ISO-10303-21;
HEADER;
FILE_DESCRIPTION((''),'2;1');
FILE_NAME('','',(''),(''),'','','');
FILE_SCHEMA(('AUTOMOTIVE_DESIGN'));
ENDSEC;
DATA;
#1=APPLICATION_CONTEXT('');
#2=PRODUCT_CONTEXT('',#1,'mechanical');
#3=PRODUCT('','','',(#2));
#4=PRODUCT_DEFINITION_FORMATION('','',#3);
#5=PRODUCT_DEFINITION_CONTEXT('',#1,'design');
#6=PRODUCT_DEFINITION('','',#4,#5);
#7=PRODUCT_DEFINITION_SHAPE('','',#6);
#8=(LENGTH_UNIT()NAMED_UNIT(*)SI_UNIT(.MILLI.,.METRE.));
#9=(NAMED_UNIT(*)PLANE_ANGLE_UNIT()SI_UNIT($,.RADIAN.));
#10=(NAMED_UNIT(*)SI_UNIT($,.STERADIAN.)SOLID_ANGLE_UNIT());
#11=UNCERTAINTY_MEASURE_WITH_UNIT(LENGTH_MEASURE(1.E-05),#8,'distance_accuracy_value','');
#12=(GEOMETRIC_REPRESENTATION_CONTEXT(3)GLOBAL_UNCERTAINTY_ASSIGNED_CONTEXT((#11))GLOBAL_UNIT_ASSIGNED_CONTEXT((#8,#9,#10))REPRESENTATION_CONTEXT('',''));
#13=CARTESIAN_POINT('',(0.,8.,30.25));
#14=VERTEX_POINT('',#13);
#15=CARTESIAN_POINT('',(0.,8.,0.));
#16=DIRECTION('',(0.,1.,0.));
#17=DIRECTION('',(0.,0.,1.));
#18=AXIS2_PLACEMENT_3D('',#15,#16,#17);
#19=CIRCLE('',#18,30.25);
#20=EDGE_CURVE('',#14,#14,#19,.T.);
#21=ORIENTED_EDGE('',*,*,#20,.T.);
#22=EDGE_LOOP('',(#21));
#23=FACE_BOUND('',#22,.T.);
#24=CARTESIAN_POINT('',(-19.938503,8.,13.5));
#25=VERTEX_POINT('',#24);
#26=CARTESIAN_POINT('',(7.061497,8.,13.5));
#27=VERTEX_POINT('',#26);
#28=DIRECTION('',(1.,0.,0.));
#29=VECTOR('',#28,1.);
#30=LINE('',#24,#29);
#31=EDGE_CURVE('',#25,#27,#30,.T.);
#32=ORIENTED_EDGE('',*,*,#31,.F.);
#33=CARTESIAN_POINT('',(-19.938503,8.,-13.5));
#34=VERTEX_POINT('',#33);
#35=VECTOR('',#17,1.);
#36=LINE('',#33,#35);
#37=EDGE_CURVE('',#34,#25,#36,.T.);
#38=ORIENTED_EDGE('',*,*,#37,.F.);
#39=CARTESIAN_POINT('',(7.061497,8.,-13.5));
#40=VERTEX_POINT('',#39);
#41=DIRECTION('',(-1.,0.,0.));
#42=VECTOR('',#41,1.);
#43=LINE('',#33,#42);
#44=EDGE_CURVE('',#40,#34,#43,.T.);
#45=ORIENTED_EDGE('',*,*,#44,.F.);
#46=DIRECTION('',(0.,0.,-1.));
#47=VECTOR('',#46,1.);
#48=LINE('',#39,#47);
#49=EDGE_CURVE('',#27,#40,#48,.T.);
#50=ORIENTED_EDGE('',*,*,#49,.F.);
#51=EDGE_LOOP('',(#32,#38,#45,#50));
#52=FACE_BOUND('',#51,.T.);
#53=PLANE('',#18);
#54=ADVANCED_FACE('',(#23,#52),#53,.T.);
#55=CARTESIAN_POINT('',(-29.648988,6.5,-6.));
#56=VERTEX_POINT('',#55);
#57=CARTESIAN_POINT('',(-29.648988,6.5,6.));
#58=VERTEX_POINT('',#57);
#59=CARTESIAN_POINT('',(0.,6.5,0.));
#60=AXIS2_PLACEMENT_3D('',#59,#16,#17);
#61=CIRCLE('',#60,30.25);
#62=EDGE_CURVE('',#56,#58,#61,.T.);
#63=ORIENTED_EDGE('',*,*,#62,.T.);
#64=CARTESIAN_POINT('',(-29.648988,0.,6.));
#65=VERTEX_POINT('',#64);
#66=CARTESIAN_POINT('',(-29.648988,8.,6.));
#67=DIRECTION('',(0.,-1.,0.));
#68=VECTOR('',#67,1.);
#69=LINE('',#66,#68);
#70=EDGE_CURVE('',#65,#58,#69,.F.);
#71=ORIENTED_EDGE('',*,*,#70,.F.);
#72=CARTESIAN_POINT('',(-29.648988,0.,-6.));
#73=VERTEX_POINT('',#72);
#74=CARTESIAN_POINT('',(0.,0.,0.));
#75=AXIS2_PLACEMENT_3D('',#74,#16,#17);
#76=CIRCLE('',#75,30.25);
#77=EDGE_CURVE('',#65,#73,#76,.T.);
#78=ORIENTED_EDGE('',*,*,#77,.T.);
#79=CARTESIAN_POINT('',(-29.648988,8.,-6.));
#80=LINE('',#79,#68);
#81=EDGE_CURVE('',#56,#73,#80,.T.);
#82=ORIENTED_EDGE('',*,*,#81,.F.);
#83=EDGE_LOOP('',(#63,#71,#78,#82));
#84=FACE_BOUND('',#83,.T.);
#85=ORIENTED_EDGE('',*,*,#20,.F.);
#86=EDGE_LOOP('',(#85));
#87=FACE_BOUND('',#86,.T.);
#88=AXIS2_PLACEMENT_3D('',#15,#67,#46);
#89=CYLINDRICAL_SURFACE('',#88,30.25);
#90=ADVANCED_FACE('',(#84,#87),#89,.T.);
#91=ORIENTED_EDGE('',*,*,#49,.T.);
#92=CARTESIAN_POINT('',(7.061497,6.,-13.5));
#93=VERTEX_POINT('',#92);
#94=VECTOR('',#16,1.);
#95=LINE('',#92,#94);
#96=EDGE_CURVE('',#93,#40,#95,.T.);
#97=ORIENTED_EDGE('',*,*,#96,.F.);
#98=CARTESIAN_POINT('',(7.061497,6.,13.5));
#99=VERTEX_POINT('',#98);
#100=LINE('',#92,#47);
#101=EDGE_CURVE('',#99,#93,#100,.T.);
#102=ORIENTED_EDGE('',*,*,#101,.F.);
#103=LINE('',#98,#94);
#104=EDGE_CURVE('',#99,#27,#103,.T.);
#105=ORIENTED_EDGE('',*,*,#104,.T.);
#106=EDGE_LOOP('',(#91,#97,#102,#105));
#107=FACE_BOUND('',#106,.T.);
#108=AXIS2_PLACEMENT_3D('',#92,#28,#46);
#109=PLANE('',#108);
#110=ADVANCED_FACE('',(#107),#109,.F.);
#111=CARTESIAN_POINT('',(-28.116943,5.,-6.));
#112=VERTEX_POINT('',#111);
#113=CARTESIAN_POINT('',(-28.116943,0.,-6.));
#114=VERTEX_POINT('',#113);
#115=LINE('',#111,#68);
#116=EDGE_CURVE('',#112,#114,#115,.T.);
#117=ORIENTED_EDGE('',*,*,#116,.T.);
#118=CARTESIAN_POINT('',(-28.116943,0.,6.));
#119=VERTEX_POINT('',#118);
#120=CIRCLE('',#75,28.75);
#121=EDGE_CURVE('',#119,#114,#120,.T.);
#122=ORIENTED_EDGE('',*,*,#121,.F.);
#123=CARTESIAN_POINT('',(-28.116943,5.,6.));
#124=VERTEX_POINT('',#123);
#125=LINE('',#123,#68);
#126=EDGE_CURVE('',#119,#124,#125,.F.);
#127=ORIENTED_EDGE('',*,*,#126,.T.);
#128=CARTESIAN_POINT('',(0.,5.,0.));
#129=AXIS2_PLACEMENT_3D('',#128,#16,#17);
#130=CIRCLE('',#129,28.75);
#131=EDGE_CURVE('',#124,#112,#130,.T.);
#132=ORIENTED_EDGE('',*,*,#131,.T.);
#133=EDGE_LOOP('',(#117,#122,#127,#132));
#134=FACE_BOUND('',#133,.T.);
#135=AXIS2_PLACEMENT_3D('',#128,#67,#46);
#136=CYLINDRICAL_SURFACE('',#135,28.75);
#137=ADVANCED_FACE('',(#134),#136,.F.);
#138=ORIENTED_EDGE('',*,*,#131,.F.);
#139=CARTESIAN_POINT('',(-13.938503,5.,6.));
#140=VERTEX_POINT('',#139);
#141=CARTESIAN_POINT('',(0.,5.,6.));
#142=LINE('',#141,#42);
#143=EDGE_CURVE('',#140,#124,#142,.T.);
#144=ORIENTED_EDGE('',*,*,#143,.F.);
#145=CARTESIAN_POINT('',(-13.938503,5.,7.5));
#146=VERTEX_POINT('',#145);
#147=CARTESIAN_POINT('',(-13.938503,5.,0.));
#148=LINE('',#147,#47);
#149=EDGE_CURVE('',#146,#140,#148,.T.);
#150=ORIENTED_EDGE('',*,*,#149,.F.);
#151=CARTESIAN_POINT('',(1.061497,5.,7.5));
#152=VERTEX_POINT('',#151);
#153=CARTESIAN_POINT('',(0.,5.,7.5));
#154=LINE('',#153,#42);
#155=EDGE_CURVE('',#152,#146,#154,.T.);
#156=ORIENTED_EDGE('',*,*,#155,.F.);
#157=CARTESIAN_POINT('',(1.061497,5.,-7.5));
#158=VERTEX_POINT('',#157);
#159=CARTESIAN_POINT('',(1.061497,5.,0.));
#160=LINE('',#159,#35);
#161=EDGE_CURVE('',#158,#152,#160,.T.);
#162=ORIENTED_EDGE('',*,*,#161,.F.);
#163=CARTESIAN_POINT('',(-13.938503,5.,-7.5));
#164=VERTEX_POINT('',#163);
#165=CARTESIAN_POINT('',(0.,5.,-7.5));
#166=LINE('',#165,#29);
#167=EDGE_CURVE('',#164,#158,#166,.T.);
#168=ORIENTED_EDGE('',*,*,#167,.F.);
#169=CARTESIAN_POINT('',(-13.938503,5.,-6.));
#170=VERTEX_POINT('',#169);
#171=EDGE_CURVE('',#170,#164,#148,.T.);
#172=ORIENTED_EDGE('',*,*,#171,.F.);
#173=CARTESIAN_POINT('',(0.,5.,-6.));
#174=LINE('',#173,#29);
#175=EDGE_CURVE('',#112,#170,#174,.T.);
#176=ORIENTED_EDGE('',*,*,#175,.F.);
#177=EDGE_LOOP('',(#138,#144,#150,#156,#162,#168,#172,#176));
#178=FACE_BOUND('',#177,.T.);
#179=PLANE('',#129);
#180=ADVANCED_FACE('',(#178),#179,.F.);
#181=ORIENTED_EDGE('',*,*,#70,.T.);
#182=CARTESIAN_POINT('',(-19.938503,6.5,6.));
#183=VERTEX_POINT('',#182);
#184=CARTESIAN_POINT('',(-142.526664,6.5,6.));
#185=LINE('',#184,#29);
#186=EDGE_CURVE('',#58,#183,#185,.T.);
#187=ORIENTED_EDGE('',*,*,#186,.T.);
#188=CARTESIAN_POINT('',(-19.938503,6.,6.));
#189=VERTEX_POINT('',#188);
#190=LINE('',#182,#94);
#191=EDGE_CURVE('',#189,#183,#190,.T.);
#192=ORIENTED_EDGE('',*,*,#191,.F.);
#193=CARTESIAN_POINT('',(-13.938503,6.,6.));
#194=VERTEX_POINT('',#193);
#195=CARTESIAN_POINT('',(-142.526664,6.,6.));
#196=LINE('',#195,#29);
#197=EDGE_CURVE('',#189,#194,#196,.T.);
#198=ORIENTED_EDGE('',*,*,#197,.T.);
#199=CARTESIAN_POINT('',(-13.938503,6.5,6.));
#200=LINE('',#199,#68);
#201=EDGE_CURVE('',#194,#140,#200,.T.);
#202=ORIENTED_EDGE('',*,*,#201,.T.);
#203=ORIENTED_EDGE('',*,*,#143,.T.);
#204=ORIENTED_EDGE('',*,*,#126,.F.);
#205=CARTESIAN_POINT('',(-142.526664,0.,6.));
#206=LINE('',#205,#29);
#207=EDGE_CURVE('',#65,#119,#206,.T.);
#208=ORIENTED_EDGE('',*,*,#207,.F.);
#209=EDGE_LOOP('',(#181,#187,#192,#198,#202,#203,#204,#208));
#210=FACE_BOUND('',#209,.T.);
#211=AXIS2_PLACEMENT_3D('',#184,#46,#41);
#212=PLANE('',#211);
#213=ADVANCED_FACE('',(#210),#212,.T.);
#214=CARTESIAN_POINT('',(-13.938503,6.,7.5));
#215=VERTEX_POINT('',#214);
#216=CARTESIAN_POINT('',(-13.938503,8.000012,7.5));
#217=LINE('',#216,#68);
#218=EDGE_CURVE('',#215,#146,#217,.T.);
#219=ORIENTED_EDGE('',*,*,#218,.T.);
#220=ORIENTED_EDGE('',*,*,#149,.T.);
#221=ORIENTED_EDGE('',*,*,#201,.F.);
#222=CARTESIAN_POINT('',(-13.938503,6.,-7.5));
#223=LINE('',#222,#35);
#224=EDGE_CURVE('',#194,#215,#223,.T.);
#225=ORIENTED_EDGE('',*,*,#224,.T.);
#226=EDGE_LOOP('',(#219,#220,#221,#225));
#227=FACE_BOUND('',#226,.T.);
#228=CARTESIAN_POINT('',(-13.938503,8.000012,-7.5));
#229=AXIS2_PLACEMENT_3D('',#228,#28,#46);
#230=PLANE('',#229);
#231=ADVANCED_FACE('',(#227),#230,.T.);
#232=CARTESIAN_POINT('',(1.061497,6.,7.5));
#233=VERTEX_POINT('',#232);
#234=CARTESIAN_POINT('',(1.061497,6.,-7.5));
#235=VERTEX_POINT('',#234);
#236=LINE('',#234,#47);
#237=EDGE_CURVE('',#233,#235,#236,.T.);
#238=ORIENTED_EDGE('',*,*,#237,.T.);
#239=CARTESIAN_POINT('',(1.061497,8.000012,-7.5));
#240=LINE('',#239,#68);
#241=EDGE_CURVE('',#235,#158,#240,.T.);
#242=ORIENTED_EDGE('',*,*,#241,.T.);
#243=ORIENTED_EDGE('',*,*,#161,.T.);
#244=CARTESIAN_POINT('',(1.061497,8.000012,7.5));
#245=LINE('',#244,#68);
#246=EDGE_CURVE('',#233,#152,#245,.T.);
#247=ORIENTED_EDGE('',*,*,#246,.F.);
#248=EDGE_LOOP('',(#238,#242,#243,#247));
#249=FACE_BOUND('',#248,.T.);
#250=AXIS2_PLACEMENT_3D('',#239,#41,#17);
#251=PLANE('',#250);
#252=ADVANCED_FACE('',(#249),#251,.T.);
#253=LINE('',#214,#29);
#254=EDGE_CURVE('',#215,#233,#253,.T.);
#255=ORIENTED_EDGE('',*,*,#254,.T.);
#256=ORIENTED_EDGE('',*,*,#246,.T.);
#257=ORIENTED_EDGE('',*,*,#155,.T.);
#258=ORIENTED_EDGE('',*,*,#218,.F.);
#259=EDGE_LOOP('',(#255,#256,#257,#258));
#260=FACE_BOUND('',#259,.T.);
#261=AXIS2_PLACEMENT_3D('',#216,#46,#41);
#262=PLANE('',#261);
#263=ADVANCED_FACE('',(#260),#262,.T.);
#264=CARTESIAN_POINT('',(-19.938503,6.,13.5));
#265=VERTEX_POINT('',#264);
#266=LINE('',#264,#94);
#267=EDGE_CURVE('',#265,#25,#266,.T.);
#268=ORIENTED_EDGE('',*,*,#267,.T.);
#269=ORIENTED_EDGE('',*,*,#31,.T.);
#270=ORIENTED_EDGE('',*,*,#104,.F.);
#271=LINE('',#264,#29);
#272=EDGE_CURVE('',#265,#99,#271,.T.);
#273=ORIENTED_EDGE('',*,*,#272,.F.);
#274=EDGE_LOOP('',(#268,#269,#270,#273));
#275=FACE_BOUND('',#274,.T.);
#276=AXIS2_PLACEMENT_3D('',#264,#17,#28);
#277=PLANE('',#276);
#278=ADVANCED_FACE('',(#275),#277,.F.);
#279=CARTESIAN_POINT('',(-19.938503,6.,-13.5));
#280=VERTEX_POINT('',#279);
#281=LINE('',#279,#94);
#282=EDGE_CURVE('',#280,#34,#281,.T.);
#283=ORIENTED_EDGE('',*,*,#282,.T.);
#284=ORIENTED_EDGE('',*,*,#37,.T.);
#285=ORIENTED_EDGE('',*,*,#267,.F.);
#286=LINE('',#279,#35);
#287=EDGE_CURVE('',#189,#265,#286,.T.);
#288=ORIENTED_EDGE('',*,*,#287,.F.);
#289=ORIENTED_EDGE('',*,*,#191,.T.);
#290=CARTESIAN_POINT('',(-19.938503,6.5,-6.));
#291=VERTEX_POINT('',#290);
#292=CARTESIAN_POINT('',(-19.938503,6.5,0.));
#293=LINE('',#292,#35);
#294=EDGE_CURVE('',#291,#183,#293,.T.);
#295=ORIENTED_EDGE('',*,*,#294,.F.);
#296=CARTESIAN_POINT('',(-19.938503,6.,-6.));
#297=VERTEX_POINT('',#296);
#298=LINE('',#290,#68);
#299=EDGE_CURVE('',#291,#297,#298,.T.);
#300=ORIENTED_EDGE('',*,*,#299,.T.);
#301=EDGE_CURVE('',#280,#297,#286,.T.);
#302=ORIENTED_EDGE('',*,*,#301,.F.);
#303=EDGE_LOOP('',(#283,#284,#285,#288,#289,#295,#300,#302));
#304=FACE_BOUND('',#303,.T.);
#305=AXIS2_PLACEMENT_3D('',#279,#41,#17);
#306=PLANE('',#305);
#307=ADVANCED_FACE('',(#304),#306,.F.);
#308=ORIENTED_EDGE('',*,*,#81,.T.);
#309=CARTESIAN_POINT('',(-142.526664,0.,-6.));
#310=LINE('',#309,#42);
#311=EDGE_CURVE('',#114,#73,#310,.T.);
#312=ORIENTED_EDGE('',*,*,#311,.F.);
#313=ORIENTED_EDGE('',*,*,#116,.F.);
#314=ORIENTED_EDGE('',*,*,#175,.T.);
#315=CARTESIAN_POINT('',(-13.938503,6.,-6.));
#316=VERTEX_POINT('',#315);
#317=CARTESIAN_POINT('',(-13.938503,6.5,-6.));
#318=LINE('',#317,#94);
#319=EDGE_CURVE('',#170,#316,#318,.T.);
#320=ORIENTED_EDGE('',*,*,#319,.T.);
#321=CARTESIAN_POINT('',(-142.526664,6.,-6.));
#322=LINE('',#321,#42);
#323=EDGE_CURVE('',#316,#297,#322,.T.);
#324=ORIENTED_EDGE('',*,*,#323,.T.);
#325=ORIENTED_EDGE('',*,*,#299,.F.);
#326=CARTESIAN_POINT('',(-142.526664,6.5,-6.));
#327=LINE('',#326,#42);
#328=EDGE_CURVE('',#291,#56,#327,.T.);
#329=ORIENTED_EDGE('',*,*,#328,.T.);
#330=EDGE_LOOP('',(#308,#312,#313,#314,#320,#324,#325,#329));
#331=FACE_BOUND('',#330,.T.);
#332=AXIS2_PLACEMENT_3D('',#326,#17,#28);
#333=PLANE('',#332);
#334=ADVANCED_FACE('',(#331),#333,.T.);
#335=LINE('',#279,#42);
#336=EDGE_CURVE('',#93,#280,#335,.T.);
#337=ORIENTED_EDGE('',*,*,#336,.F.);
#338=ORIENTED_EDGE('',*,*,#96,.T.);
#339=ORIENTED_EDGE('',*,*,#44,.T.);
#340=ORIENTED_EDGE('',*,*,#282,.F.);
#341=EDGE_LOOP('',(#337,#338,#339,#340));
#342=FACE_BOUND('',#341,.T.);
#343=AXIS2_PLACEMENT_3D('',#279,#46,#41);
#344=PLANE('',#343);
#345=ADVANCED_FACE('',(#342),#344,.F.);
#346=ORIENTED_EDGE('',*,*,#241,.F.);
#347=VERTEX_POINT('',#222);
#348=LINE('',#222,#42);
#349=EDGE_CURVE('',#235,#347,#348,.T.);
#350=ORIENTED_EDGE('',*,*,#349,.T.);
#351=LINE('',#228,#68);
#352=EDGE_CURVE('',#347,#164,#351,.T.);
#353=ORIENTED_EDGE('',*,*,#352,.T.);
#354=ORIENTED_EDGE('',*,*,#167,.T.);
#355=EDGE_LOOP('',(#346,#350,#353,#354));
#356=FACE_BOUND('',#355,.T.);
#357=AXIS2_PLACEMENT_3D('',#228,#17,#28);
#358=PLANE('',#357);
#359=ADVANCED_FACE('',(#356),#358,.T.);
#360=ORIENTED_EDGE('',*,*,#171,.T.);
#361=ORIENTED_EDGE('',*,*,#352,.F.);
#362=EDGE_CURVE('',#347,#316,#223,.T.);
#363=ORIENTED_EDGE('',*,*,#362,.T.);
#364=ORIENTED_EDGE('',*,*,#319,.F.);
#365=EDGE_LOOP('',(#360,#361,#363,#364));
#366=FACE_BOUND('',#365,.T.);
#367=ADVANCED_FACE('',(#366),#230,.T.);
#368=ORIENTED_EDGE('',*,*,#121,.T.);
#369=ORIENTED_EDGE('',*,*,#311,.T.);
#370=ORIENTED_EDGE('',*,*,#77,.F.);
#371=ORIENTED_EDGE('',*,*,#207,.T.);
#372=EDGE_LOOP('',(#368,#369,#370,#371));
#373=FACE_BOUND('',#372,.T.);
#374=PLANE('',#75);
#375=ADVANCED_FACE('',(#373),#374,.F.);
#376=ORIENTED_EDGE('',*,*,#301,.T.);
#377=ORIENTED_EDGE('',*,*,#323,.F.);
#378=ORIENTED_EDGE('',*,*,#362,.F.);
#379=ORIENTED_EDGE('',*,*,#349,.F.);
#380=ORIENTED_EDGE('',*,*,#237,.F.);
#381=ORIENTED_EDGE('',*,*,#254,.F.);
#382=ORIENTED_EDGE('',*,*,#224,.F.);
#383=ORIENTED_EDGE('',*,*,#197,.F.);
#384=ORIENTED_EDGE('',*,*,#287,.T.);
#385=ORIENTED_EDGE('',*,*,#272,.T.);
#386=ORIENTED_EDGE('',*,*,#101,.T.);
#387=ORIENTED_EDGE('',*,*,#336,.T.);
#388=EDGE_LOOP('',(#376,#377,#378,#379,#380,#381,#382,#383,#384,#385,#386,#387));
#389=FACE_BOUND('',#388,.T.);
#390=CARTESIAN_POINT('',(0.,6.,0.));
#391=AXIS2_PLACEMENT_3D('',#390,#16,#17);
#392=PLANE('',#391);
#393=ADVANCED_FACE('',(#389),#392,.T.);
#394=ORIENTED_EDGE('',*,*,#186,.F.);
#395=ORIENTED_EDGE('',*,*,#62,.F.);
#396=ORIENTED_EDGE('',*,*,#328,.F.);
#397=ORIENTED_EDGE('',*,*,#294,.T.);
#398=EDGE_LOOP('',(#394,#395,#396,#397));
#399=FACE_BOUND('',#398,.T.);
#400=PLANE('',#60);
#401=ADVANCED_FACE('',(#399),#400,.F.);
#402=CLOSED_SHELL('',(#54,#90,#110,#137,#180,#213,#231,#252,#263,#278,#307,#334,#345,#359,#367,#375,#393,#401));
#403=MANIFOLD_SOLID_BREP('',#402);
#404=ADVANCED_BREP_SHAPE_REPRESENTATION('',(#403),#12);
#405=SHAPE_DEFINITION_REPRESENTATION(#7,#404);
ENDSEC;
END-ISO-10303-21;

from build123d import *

# Parameters (mm, degrees)
BASE_R                     = 30.25
EXTRUSAO_BASE_DEPTH        = 8
CORTE_BASE_R               = 28.75
EXTRUSAO_CORTE_BASE_DEPTH  = 5
USB_W                      = 142.526664036
USB_H                      = 12
CORTE_USB_DEPTH            = 6.5
CORTE_PRISMA_DEPTH         = 44.521546388
CORTE_PRISMA_DEPTH_BACK    = 44.521546388
PRISMA2_W                  = 15
PRISMA2_H                  = 15
PRISMA_W                   = 27
PRISMA_H                   = 27
CORTE_ENCAIXE_PRISMA_DEPTH = 2


with BuildPart() as part:
    # base → extrusao_base (new body)
    with BuildSketch(Plane(origin=(0, 0, 0), x_dir=(1, 0, 0), z_dir=(0, 1, 0))):
        with Locations(Location((0, 0, 0), (0, 0, 270))):
            Circle(BASE_R)
    extrude(amount=EXTRUSAO_BASE_DEPTH)

    # corte_base → extrusao_corte_base (cut)
    with BuildSketch(Plane(origin=(0, 0, 0), x_dir=(1, 0, 0), z_dir=(0, 1, 0))):
        with Locations(Location((0, 0, 0), (0, 0, 270))):
            Circle(CORTE_BASE_R)
    extrude(amount=EXTRUSAO_CORTE_BASE_DEPTH, mode=Mode.SUBTRACT)

    # usb → corte_usb (cut)
    with BuildSketch(Plane(origin=(0, 0, 0), x_dir=(1, 0, 0), z_dir=(0, 1, 0))):
        with Locations((-71.263332018, 0)):
            Rectangle(USB_W, USB_H)
    extrude(amount=CORTE_USB_DEPTH, mode=Mode.SUBTRACT)

    # prisma2 (on Top Plane) → corte_prisma (cut, two sides: drawn at the far end of the back side and taken through both)
    with BuildSketch(Plane(origin=(0, 0, 0), x_dir=(1, 0, 0), z_dir=(0, 1, 0)).offset(-CORTE_PRISMA_DEPTH_BACK)):
        with Locations((-6.438503074, 0)):
            Rectangle(PRISMA2_W, PRISMA2_H)
    extrude(amount=CORTE_PRISMA_DEPTH + CORTE_PRISMA_DEPTH_BACK, mode=Mode.SUBTRACT)

    # prisma → corte_encaixe_prisma (cut)
    with BuildSketch(Plane(origin=(0, 8, 0), x_dir=(1, 0, 0), z_dir=(0, 1, 0))):
        with Locations((-6.438503074, 0)):
            Rectangle(PRISMA_W, PRISMA_H)
    extrude(amount=-CORTE_ENCAIXE_PRISMA_DEPTH, mode=Mode.SUBTRACT)


solid = part.part
